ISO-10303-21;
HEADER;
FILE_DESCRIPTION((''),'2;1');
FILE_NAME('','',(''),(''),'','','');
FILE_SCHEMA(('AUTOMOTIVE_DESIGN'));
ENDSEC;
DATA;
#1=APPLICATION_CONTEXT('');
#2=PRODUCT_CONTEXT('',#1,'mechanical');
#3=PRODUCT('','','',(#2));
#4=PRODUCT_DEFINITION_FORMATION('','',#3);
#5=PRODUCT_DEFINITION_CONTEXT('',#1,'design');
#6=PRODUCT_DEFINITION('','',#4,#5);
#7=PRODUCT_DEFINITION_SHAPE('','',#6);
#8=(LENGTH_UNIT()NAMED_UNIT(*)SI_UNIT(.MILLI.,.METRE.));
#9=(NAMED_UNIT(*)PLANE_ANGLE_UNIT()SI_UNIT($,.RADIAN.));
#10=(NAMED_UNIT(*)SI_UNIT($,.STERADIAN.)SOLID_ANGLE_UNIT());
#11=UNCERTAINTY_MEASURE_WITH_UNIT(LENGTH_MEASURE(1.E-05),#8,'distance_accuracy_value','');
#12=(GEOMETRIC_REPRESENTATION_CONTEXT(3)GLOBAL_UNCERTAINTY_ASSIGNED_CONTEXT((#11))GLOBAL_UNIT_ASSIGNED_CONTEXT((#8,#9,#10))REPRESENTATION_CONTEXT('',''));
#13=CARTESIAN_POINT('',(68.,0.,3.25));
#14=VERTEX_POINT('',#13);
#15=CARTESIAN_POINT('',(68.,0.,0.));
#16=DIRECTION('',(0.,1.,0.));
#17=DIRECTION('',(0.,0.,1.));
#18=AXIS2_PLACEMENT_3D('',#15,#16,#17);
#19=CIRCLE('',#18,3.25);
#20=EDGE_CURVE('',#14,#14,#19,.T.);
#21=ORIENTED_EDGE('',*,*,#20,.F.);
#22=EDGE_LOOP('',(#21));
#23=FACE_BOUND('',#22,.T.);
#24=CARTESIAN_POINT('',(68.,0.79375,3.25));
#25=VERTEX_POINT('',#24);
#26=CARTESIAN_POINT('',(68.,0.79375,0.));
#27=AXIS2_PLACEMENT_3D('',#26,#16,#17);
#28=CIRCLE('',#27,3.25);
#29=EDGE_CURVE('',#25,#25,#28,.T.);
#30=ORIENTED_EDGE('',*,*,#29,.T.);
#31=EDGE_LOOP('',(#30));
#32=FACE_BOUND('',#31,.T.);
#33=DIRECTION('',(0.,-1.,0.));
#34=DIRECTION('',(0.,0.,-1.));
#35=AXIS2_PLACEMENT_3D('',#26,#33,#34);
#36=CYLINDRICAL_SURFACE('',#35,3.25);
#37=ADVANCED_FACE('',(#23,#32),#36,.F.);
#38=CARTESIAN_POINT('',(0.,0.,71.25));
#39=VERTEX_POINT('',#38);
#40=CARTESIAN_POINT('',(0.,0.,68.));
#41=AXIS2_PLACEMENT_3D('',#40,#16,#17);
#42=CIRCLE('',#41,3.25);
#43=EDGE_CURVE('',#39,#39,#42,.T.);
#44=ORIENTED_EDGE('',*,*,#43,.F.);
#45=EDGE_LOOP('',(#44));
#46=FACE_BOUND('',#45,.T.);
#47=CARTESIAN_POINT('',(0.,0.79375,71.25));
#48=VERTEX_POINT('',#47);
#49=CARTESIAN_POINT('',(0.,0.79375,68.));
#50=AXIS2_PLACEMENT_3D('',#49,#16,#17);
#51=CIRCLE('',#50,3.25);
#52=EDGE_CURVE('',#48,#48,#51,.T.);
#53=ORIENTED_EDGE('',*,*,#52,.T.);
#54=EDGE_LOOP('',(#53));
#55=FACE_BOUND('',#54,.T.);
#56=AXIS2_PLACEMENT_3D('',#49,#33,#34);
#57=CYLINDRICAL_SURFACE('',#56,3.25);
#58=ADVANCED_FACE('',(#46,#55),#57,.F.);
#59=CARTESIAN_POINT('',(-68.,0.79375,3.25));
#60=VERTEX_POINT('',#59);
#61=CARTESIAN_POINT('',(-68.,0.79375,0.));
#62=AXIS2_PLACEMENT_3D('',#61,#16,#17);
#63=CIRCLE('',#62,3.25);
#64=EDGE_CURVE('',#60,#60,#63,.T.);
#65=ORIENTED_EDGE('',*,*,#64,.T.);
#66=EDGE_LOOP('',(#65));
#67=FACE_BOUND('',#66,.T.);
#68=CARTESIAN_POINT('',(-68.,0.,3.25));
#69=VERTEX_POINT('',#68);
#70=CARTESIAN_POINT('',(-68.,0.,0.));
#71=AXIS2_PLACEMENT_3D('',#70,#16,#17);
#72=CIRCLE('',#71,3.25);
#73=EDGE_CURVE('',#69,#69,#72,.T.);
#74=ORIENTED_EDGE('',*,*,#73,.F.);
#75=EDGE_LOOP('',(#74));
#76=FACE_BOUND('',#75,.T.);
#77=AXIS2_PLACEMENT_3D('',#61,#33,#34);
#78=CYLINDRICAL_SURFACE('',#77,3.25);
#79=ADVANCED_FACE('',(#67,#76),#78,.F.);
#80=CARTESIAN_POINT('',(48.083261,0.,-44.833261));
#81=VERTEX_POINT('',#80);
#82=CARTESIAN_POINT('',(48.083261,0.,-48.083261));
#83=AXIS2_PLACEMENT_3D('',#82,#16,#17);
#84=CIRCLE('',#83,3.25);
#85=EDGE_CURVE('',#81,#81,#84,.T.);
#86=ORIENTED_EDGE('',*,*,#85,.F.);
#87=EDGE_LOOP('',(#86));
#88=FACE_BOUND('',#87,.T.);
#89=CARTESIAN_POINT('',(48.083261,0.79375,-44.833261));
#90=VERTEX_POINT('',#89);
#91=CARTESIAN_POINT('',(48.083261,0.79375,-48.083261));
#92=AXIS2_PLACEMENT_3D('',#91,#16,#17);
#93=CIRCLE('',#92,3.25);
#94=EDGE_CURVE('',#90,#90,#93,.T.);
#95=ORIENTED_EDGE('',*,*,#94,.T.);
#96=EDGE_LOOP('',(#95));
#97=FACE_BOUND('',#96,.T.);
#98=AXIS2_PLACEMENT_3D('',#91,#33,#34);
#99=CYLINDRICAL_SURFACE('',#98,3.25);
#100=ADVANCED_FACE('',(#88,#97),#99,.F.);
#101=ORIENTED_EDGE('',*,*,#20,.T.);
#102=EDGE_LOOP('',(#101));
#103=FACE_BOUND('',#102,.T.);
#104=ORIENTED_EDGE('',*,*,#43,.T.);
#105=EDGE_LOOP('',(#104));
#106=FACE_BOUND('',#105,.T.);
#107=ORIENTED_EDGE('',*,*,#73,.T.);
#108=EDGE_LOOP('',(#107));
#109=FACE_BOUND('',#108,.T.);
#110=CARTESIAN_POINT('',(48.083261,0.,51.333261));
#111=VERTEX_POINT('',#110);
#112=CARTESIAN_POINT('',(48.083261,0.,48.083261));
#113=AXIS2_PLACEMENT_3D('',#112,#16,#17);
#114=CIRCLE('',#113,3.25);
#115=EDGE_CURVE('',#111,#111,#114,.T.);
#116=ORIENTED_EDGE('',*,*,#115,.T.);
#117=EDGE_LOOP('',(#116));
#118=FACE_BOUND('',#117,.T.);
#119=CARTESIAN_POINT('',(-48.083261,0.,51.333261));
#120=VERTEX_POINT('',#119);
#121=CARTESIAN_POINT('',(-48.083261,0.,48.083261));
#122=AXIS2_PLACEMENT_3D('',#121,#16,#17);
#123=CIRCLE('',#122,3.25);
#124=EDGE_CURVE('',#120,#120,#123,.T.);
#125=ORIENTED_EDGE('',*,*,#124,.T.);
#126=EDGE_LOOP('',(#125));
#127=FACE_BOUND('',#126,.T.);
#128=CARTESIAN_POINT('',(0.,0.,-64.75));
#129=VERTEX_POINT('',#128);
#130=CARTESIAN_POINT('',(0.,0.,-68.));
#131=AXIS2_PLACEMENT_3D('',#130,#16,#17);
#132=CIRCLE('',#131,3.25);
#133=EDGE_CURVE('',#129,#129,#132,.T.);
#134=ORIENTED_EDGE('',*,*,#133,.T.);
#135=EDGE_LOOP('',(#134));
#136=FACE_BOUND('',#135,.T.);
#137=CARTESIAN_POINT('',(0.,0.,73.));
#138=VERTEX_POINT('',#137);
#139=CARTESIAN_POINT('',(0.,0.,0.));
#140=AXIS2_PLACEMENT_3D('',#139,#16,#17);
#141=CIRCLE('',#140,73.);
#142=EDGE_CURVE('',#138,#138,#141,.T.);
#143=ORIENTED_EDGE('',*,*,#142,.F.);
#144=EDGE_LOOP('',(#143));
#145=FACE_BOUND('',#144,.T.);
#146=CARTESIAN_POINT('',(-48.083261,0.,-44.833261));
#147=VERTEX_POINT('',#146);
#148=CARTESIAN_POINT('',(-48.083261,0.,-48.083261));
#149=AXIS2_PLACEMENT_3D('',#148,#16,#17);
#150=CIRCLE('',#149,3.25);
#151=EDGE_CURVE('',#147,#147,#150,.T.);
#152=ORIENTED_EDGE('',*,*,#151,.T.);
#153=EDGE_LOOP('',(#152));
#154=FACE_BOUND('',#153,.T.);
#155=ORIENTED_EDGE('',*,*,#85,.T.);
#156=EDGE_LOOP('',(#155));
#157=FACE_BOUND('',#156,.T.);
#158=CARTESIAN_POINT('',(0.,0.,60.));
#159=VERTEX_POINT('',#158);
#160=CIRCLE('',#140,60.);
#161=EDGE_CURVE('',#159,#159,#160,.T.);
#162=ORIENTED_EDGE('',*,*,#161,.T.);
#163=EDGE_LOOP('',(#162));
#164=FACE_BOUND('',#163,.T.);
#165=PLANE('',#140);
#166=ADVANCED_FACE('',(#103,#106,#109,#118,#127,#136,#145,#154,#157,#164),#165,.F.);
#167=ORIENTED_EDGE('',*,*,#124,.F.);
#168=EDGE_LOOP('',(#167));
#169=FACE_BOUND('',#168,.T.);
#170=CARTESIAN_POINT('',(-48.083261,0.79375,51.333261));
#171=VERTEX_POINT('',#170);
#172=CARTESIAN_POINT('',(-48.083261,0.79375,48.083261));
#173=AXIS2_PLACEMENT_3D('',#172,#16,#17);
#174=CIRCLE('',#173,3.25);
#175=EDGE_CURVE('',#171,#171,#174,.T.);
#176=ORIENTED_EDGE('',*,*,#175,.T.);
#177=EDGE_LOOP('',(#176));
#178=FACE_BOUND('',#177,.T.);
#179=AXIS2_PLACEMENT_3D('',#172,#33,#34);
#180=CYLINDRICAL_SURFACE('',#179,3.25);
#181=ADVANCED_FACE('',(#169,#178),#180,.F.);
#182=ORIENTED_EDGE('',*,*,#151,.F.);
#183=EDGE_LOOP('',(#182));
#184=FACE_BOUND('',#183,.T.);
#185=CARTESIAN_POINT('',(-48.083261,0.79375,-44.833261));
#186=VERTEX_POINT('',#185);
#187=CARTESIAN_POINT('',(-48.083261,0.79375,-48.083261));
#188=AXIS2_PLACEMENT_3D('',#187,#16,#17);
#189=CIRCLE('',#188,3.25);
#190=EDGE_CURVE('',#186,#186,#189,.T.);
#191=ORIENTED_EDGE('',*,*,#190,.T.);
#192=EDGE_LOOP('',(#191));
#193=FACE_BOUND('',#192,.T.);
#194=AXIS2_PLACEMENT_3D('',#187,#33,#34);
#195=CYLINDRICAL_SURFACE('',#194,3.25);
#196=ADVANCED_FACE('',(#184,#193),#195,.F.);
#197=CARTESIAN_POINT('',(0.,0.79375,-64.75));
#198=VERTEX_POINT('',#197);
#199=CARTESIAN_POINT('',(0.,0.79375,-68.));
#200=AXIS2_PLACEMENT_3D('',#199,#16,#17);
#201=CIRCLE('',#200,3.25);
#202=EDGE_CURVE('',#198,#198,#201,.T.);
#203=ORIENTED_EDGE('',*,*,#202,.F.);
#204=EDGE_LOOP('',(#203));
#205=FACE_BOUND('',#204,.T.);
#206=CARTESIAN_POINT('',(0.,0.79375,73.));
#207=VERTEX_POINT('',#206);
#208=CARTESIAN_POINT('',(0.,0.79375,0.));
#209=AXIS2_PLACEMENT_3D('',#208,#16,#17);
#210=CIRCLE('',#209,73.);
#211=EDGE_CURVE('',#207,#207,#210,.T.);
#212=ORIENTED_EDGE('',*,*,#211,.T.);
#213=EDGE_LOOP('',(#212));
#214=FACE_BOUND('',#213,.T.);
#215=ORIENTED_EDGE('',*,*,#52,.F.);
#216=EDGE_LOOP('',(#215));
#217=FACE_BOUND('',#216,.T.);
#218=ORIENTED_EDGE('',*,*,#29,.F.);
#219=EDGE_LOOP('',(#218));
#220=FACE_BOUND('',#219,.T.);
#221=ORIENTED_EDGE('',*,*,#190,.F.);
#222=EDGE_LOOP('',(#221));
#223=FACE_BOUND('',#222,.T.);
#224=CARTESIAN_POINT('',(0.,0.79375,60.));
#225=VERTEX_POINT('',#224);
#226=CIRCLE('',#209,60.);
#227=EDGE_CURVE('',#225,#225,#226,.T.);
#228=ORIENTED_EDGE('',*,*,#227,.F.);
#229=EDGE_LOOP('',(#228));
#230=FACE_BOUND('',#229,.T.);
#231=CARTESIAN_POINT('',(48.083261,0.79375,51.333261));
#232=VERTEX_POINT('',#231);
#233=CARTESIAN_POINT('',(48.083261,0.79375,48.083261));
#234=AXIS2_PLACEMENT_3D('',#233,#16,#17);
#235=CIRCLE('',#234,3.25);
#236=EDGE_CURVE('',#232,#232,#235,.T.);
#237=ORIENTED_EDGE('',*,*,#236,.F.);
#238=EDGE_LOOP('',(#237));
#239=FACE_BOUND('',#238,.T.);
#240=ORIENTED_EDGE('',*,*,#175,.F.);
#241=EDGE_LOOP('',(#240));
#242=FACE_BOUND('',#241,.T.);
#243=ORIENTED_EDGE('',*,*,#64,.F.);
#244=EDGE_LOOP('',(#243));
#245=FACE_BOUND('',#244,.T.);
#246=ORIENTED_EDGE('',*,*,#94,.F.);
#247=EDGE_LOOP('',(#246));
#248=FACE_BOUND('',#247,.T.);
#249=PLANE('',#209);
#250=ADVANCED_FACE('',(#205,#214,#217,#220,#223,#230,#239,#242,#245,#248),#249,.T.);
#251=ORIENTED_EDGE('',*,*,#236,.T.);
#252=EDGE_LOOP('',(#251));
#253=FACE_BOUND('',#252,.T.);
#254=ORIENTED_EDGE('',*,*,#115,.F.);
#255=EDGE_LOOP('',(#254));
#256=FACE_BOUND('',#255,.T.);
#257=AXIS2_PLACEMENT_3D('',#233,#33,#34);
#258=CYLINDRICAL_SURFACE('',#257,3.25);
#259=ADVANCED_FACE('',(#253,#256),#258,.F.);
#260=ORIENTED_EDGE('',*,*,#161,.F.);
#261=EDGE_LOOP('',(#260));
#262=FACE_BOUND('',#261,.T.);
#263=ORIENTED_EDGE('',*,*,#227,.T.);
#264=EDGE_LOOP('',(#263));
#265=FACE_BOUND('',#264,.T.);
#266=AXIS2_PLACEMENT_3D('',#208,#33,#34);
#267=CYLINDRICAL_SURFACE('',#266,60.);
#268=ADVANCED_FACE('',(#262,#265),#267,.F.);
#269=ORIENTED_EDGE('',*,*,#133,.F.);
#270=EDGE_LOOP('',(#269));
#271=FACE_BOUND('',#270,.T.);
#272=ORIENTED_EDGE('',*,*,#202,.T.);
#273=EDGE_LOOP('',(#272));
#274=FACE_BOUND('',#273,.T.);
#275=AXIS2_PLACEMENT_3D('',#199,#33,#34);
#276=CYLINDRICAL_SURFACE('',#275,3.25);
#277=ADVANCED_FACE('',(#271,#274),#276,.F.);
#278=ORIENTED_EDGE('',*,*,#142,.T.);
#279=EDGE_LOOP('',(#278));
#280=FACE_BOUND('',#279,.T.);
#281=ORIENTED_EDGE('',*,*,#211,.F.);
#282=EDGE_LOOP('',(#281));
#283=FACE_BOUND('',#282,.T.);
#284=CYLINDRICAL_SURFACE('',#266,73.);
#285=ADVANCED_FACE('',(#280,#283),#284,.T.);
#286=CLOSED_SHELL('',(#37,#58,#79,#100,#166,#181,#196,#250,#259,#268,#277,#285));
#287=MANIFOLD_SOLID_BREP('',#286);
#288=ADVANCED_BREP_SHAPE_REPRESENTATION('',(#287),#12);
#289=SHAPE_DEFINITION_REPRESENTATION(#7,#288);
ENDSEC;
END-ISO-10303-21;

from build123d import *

# Parameters (mm, degrees)
SKETCH1_R           = 73
SKETCH1_R_2         = 60
SKETCH1_R_3         = 3.25
BOSS_EXTRUDE1_DEPTH = 0.79375


with BuildPart() as part:
    # Sketch1 → Boss-Extrude1 (new body)
    with BuildSketch(Plane(origin=(0, 0, 0), x_dir=(1, 0, 0), z_dir=(0, 1, 0))):
        Circle(SKETCH1_R)
        Circle(SKETCH1_R_2, mode=Mode.SUBTRACT)
        with Locations((-48.083261121, 48.083261121)):
            Circle(SKETCH1_R_3, mode=Mode.SUBTRACT)
        with Locations((-68, 0)):
            Circle(SKETCH1_R_3, mode=Mode.SUBTRACT)
        with Locations((0, 68)):
            Circle(SKETCH1_R_3, mode=Mode.SUBTRACT)
        with Locations((48.083261121, 48.083261121)):
            Circle(SKETCH1_R_3, mode=Mode.SUBTRACT)
        with Locations((68, 0)):
            Circle(SKETCH1_R_3, mode=Mode.SUBTRACT)
        with Locations((48.083261121, -48.083261121)):
            Circle(SKETCH1_R_3, mode=Mode.SUBTRACT)
        with Locations((0, -68)):
            Circle(SKETCH1_R_3, mode=Mode.SUBTRACT)
        with Locations((-48.083261121, -48.083261121)):
            Circle(SKETCH1_R_3, mode=Mode.SUBTRACT)
    extrude(amount=BOSS_EXTRUDE1_DEPTH)


solid = part.part
